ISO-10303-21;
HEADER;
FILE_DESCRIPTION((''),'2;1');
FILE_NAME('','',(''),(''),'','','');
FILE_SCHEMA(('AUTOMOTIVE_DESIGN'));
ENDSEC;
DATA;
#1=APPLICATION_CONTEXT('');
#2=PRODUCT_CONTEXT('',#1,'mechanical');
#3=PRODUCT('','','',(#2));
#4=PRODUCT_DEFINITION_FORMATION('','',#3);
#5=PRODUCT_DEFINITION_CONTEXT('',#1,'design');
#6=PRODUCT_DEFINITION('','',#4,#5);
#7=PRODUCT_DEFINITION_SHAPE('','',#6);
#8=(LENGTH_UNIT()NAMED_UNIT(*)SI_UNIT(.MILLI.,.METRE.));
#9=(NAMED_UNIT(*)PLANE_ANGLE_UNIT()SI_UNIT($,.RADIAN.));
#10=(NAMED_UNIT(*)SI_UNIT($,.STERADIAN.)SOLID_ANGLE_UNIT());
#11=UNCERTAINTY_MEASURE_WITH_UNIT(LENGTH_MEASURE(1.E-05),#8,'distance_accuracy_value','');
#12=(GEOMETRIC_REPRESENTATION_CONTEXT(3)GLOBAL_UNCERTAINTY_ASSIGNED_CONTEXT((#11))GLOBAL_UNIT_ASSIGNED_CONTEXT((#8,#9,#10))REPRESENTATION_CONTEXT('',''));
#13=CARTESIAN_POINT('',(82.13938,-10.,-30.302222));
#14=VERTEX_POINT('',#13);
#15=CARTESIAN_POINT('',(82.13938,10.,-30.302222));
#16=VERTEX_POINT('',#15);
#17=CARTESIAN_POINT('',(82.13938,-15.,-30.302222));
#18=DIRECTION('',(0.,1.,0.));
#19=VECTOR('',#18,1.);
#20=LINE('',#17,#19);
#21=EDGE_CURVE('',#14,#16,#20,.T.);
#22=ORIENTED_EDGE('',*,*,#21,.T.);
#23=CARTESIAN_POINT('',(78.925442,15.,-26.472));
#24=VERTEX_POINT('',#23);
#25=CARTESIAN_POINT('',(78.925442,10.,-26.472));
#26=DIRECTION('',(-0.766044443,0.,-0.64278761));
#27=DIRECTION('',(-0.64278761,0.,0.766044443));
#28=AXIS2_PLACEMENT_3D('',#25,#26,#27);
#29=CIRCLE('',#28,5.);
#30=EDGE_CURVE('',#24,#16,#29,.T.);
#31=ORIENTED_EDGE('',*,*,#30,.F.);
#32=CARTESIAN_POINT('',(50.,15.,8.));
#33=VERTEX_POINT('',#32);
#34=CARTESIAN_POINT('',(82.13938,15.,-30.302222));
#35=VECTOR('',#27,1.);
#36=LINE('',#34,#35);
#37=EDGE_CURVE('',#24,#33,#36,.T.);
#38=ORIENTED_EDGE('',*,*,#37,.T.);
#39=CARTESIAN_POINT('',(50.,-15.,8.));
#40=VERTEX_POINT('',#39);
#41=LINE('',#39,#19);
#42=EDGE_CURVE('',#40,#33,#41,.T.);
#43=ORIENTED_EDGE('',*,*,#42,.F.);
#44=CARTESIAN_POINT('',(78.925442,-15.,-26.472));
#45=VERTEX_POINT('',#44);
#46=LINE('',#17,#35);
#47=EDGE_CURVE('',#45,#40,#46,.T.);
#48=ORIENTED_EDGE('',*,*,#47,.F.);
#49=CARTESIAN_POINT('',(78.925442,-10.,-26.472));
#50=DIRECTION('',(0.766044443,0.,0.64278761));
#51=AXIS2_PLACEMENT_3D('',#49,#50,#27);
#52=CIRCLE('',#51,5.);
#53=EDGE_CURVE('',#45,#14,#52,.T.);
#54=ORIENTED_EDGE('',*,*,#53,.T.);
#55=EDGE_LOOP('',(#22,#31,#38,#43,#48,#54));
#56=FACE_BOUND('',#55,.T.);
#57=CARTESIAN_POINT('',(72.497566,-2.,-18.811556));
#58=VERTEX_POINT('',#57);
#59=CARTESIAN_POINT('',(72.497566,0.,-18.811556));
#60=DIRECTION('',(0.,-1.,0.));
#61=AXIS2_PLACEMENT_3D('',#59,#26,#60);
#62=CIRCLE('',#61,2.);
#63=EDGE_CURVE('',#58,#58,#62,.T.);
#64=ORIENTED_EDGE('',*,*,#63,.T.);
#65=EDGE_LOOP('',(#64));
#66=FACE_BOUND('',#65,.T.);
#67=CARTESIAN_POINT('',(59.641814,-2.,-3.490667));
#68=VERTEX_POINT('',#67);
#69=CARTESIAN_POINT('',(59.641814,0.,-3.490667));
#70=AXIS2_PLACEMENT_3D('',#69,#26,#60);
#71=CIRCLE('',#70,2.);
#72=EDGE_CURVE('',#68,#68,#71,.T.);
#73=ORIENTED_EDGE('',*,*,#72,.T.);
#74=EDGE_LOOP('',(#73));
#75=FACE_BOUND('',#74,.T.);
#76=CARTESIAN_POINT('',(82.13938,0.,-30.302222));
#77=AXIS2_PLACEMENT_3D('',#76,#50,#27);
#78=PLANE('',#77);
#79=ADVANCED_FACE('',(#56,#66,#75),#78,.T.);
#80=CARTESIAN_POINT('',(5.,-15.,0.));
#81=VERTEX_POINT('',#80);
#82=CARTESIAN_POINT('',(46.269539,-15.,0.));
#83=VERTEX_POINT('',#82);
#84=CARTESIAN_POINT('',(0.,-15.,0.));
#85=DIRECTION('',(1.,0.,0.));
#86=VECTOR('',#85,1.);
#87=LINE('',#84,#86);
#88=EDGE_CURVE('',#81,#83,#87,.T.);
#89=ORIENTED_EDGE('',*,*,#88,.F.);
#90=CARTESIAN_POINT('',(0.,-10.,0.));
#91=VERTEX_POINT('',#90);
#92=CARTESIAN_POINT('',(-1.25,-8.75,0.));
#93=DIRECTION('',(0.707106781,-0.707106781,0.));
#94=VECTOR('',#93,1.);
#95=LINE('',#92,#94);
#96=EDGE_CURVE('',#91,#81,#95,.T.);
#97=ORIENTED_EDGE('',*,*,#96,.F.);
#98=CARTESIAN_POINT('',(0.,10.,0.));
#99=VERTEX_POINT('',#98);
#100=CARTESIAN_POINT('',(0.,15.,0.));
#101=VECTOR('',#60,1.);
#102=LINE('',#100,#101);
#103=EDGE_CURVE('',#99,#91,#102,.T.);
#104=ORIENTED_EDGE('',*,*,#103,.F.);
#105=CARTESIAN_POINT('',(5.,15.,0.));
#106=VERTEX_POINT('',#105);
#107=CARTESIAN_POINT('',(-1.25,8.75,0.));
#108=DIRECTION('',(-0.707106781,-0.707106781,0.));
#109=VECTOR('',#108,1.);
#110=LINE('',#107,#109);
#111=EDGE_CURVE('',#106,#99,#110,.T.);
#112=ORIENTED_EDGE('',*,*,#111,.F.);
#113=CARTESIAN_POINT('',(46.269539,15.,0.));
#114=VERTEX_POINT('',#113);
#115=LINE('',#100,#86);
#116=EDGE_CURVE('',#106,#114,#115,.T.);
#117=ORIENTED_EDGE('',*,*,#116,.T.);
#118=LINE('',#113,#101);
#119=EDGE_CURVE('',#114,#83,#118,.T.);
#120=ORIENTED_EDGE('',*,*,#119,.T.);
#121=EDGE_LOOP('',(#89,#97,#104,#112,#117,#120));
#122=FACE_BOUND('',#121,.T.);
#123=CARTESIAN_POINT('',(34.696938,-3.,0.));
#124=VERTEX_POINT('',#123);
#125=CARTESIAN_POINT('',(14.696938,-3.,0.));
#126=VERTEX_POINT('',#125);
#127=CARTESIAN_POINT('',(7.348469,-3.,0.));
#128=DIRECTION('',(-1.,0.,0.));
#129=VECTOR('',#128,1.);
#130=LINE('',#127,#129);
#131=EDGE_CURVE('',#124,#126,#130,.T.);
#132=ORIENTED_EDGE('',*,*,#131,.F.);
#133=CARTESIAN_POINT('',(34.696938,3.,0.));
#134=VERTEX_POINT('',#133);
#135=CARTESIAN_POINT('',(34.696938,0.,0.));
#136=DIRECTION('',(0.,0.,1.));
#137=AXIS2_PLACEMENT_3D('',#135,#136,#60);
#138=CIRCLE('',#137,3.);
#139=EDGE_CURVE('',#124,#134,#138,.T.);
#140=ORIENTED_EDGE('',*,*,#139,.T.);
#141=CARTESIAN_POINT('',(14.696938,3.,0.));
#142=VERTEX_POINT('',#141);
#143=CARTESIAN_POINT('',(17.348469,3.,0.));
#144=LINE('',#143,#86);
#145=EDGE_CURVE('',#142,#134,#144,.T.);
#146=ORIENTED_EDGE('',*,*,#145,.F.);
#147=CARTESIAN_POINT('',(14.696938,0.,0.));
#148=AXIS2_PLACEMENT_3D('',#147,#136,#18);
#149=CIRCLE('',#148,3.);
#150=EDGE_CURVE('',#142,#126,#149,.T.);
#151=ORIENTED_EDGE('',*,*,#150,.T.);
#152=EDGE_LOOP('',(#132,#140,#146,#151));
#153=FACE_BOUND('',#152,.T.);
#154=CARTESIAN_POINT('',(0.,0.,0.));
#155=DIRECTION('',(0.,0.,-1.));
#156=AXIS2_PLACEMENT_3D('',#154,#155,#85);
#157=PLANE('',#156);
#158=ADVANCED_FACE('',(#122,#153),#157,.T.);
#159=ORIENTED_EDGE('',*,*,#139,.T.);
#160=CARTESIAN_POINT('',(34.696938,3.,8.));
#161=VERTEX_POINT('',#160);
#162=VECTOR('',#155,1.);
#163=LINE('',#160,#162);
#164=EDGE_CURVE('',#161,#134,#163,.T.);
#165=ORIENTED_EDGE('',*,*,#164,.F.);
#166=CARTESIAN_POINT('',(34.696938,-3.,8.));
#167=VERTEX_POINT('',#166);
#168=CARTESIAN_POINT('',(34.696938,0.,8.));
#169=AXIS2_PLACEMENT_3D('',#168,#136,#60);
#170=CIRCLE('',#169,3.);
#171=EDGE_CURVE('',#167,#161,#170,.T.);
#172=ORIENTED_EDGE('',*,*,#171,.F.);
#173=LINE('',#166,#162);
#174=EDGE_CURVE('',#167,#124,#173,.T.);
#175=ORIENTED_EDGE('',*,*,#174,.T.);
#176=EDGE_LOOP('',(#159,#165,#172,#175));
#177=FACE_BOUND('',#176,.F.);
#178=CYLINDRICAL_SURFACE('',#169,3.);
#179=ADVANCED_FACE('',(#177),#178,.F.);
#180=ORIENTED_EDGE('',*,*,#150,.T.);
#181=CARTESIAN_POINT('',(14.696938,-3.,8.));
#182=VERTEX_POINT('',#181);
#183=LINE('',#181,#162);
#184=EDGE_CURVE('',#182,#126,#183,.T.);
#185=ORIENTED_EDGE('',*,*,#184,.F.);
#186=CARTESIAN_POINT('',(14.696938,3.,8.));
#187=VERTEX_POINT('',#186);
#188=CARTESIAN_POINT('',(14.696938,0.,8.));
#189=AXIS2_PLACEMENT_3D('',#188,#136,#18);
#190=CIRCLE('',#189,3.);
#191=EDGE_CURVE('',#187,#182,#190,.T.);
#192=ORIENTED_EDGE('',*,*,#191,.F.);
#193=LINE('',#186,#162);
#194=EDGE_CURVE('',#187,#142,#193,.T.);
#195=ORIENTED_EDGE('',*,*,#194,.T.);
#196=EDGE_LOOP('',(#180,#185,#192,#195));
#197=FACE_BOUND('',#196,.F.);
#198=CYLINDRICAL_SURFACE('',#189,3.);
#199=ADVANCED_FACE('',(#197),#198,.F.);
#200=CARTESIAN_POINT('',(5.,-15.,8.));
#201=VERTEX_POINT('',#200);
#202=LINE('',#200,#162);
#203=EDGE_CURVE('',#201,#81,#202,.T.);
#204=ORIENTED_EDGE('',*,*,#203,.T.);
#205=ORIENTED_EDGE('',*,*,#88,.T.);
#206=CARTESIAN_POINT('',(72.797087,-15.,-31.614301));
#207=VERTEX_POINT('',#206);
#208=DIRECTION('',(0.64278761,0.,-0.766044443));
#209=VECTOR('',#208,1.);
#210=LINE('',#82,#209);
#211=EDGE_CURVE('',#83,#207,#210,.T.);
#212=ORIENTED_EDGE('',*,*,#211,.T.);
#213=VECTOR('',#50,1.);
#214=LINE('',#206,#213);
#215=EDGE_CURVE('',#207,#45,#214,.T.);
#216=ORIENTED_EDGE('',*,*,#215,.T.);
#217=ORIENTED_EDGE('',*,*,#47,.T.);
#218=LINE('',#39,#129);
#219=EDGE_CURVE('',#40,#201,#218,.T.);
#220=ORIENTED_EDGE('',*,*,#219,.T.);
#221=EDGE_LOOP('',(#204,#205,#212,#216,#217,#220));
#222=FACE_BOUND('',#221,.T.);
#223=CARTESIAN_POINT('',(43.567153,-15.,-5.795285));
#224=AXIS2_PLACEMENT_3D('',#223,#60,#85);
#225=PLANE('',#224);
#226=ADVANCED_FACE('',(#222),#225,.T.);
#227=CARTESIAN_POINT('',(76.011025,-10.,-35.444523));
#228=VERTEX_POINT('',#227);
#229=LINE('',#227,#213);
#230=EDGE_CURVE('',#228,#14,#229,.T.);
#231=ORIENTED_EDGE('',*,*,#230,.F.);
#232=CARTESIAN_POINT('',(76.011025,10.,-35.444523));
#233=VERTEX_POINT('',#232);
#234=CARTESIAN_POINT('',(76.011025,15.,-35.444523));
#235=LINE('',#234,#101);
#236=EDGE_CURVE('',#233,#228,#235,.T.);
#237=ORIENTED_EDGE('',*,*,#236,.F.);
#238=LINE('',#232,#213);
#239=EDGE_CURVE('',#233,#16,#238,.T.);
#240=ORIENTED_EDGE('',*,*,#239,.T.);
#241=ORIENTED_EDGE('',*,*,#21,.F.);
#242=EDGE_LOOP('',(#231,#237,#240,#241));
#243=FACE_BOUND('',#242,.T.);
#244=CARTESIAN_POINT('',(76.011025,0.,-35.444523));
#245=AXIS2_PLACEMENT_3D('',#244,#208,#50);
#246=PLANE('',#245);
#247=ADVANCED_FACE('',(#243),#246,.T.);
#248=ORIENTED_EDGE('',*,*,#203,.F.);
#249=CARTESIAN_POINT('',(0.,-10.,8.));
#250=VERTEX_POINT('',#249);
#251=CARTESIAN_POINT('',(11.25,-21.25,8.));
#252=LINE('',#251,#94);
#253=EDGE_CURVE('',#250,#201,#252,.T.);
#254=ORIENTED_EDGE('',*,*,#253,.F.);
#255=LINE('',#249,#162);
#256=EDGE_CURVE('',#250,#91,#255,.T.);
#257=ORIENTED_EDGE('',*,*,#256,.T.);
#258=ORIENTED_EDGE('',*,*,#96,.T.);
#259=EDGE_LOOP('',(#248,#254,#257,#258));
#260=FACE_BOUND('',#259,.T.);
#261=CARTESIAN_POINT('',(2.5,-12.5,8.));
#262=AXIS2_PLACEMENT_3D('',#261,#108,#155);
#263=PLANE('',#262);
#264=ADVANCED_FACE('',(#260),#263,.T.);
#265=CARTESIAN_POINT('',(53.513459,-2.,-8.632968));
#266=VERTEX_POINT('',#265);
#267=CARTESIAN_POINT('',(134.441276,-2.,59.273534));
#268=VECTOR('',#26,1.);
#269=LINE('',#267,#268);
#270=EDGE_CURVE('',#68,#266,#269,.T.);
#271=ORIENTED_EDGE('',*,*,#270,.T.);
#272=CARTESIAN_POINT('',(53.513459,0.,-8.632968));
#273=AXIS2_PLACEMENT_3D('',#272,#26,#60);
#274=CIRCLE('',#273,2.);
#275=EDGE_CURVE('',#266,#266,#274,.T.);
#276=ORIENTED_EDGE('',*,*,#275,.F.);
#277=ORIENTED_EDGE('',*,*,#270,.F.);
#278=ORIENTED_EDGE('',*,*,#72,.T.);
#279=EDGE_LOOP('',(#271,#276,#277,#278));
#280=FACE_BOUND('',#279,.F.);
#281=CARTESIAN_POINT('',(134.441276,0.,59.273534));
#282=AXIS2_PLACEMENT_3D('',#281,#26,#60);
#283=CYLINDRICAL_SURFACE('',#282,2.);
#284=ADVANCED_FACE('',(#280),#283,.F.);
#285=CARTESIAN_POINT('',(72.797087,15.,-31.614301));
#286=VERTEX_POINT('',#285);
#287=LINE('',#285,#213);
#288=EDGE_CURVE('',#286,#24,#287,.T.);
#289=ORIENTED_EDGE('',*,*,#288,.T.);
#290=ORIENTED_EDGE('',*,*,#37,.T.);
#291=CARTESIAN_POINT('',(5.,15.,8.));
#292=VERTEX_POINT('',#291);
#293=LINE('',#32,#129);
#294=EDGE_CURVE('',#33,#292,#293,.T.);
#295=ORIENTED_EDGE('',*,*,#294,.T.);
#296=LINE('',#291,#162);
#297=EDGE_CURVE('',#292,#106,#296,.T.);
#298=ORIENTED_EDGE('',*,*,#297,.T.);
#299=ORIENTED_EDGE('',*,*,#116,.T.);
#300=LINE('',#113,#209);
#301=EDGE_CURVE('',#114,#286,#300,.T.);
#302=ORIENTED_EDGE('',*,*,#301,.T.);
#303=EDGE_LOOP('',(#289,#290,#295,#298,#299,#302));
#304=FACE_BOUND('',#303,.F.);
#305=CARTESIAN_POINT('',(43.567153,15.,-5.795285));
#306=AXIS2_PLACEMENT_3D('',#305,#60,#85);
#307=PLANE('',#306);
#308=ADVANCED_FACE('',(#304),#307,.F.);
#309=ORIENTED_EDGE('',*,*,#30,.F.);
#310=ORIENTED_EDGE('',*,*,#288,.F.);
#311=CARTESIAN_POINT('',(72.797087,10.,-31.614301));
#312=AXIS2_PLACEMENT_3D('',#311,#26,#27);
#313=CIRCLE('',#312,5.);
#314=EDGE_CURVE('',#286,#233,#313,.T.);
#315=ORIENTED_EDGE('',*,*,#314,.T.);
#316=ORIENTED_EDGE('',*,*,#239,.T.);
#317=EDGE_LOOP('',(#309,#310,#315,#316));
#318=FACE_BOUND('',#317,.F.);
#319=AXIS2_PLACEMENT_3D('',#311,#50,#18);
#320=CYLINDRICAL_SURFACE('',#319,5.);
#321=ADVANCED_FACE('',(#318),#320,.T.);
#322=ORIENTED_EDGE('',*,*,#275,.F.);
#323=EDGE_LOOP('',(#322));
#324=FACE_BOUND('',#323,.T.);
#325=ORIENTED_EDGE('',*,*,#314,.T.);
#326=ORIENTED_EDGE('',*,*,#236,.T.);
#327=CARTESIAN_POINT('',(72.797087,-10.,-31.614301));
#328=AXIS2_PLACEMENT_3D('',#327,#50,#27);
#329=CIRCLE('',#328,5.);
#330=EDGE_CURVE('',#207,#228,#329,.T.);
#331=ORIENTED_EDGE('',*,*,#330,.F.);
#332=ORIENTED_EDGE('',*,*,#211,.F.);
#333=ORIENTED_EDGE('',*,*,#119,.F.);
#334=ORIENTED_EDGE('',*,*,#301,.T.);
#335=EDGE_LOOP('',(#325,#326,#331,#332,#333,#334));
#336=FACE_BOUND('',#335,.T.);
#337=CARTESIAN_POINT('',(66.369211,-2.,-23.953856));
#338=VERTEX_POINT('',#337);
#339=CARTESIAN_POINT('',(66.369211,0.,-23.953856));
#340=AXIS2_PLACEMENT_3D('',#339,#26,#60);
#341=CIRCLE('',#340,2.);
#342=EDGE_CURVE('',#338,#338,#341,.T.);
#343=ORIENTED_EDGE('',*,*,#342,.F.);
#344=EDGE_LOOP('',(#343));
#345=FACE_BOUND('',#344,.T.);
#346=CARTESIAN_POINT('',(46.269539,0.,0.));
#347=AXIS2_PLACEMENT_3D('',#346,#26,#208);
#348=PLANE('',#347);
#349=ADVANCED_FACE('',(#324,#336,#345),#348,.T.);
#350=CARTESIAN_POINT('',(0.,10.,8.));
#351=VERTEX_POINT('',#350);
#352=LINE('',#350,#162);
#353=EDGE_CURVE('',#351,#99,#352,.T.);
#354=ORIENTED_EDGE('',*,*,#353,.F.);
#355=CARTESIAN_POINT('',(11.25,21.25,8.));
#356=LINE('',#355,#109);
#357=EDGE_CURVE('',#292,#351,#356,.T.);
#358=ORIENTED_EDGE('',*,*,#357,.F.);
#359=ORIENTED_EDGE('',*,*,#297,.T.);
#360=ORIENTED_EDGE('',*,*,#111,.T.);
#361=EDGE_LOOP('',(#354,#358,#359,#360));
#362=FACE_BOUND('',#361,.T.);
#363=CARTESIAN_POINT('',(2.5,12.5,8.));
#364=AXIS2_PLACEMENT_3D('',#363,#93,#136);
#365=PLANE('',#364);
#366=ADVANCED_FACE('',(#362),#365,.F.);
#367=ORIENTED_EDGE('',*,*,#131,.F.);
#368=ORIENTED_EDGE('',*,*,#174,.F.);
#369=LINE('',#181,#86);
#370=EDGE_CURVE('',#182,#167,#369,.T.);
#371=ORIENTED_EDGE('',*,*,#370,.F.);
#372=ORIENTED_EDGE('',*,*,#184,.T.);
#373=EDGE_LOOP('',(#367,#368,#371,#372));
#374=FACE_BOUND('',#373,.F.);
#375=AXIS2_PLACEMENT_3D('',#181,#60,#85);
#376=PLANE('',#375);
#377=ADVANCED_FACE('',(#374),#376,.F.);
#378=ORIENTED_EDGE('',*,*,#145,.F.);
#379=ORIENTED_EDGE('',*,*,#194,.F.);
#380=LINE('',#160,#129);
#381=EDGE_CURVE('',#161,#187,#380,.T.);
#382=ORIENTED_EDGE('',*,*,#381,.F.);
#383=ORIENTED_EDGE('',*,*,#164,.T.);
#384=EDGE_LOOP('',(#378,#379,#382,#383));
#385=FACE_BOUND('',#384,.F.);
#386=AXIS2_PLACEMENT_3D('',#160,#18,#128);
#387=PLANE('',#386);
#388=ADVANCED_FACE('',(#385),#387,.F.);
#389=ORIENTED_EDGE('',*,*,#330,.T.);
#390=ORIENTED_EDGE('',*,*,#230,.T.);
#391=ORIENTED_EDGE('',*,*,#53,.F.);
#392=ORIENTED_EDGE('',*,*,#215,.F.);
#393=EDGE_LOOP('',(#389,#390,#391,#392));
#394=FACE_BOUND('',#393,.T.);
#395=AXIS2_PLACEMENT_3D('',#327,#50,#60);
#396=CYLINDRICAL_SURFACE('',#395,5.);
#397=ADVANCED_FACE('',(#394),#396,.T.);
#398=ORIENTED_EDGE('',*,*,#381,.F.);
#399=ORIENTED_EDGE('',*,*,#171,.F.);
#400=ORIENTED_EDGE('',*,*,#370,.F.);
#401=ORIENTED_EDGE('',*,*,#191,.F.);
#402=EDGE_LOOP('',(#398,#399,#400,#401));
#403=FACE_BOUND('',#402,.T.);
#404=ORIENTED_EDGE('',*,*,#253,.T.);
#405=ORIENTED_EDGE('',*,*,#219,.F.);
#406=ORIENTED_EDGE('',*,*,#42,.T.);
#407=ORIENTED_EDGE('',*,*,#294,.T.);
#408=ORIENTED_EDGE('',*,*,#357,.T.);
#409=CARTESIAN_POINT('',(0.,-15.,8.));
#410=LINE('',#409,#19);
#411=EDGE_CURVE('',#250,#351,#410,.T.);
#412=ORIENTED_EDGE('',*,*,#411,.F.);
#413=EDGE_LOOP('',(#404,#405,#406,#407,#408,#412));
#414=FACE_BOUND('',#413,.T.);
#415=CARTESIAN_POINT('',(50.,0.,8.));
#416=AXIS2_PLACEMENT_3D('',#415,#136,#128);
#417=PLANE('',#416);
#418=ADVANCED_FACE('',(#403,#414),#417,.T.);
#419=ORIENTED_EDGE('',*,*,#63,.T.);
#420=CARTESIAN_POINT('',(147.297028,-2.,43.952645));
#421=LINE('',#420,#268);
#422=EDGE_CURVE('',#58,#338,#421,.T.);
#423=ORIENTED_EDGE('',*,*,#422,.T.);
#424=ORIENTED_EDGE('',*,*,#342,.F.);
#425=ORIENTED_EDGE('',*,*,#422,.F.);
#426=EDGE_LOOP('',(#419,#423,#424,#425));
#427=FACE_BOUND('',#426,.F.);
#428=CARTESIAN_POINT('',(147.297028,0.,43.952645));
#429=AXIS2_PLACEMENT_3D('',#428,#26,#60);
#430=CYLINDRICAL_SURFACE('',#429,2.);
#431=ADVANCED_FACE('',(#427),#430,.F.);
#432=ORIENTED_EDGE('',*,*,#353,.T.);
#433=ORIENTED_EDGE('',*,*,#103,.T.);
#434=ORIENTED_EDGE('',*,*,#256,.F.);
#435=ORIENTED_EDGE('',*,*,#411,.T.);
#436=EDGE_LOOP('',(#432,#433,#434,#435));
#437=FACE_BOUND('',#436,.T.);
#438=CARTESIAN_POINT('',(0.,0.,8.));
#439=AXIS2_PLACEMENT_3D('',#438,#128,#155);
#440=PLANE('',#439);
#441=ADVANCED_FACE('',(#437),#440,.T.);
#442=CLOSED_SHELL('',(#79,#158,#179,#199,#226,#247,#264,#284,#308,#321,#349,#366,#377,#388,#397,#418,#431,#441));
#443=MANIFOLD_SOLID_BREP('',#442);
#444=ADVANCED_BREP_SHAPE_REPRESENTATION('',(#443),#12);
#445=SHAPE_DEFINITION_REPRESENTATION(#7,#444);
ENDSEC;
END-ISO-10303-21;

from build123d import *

# Parameters (mm, degrees)
F1_DEPTH = 15
F3_DEPTH = 43.4455230334
F5_D     = 4
F6_R     = 5
F7_SIZE  = 5


with BuildPart() as f1:
    # F0 (on Front) → F1 (new body, symmetric)
    with BuildSketch(Plane.XZ):
        Polygon((0, 8), (0, 0), (46.2695387348, 0), (76.0110249394, -35.4445230334), (82.1393804843, -30.3022221559), (50, 8), align=None)
    extrude(amount=F1_DEPTH, both=True)

    # F2 (on face) → F3 (cut, through all)
    with BuildSketch(Plane.XY.offset(8)):
        with BuildLine():
            ThreePointArc((14.6969384567, 3), (11.6969384567, 0), (14.6969384567, -3))
            Line((14.6969384567, -3), (34.6969384567, -3))
            ThreePointArc((34.6969384567, -3), (37.6969384567, 0), (34.6969384567, 3))
            Line((34.6969384567, 3), (14.6969384567, 3))
        make_face()
    extrude(amount=-F3_DEPTH, mode=Mode.SUBTRACT)

    # F5 (through all)
    with Locations(Plane(origin=(33.2804354537, 0, 27.9256011146), x_dir=(0, 1, 0), z_dir=(0.7660444431, 0, 0.6427876097))):
        with Locations((0, -41.0110249394), (0, -61.0110249394)):
            Hole(F5_D / 2)

    # F6
    f6_edges = [f1.edges().sort_by_distance(p)[0] for p in [
        (79.075203, -15, -32.873373),
        (79.075203, 15, -32.873373),
    ]]
    fillet(f6_edges, radius=F6_R)

    # F7
    f7_edges = [f1.edges().sort_by_distance(p)[0] for p in [
        (0, -15, 4),
        (0, 15, 4),
    ]]
    chamfer(f7_edges, length=F7_SIZE)


solid = f1.part
